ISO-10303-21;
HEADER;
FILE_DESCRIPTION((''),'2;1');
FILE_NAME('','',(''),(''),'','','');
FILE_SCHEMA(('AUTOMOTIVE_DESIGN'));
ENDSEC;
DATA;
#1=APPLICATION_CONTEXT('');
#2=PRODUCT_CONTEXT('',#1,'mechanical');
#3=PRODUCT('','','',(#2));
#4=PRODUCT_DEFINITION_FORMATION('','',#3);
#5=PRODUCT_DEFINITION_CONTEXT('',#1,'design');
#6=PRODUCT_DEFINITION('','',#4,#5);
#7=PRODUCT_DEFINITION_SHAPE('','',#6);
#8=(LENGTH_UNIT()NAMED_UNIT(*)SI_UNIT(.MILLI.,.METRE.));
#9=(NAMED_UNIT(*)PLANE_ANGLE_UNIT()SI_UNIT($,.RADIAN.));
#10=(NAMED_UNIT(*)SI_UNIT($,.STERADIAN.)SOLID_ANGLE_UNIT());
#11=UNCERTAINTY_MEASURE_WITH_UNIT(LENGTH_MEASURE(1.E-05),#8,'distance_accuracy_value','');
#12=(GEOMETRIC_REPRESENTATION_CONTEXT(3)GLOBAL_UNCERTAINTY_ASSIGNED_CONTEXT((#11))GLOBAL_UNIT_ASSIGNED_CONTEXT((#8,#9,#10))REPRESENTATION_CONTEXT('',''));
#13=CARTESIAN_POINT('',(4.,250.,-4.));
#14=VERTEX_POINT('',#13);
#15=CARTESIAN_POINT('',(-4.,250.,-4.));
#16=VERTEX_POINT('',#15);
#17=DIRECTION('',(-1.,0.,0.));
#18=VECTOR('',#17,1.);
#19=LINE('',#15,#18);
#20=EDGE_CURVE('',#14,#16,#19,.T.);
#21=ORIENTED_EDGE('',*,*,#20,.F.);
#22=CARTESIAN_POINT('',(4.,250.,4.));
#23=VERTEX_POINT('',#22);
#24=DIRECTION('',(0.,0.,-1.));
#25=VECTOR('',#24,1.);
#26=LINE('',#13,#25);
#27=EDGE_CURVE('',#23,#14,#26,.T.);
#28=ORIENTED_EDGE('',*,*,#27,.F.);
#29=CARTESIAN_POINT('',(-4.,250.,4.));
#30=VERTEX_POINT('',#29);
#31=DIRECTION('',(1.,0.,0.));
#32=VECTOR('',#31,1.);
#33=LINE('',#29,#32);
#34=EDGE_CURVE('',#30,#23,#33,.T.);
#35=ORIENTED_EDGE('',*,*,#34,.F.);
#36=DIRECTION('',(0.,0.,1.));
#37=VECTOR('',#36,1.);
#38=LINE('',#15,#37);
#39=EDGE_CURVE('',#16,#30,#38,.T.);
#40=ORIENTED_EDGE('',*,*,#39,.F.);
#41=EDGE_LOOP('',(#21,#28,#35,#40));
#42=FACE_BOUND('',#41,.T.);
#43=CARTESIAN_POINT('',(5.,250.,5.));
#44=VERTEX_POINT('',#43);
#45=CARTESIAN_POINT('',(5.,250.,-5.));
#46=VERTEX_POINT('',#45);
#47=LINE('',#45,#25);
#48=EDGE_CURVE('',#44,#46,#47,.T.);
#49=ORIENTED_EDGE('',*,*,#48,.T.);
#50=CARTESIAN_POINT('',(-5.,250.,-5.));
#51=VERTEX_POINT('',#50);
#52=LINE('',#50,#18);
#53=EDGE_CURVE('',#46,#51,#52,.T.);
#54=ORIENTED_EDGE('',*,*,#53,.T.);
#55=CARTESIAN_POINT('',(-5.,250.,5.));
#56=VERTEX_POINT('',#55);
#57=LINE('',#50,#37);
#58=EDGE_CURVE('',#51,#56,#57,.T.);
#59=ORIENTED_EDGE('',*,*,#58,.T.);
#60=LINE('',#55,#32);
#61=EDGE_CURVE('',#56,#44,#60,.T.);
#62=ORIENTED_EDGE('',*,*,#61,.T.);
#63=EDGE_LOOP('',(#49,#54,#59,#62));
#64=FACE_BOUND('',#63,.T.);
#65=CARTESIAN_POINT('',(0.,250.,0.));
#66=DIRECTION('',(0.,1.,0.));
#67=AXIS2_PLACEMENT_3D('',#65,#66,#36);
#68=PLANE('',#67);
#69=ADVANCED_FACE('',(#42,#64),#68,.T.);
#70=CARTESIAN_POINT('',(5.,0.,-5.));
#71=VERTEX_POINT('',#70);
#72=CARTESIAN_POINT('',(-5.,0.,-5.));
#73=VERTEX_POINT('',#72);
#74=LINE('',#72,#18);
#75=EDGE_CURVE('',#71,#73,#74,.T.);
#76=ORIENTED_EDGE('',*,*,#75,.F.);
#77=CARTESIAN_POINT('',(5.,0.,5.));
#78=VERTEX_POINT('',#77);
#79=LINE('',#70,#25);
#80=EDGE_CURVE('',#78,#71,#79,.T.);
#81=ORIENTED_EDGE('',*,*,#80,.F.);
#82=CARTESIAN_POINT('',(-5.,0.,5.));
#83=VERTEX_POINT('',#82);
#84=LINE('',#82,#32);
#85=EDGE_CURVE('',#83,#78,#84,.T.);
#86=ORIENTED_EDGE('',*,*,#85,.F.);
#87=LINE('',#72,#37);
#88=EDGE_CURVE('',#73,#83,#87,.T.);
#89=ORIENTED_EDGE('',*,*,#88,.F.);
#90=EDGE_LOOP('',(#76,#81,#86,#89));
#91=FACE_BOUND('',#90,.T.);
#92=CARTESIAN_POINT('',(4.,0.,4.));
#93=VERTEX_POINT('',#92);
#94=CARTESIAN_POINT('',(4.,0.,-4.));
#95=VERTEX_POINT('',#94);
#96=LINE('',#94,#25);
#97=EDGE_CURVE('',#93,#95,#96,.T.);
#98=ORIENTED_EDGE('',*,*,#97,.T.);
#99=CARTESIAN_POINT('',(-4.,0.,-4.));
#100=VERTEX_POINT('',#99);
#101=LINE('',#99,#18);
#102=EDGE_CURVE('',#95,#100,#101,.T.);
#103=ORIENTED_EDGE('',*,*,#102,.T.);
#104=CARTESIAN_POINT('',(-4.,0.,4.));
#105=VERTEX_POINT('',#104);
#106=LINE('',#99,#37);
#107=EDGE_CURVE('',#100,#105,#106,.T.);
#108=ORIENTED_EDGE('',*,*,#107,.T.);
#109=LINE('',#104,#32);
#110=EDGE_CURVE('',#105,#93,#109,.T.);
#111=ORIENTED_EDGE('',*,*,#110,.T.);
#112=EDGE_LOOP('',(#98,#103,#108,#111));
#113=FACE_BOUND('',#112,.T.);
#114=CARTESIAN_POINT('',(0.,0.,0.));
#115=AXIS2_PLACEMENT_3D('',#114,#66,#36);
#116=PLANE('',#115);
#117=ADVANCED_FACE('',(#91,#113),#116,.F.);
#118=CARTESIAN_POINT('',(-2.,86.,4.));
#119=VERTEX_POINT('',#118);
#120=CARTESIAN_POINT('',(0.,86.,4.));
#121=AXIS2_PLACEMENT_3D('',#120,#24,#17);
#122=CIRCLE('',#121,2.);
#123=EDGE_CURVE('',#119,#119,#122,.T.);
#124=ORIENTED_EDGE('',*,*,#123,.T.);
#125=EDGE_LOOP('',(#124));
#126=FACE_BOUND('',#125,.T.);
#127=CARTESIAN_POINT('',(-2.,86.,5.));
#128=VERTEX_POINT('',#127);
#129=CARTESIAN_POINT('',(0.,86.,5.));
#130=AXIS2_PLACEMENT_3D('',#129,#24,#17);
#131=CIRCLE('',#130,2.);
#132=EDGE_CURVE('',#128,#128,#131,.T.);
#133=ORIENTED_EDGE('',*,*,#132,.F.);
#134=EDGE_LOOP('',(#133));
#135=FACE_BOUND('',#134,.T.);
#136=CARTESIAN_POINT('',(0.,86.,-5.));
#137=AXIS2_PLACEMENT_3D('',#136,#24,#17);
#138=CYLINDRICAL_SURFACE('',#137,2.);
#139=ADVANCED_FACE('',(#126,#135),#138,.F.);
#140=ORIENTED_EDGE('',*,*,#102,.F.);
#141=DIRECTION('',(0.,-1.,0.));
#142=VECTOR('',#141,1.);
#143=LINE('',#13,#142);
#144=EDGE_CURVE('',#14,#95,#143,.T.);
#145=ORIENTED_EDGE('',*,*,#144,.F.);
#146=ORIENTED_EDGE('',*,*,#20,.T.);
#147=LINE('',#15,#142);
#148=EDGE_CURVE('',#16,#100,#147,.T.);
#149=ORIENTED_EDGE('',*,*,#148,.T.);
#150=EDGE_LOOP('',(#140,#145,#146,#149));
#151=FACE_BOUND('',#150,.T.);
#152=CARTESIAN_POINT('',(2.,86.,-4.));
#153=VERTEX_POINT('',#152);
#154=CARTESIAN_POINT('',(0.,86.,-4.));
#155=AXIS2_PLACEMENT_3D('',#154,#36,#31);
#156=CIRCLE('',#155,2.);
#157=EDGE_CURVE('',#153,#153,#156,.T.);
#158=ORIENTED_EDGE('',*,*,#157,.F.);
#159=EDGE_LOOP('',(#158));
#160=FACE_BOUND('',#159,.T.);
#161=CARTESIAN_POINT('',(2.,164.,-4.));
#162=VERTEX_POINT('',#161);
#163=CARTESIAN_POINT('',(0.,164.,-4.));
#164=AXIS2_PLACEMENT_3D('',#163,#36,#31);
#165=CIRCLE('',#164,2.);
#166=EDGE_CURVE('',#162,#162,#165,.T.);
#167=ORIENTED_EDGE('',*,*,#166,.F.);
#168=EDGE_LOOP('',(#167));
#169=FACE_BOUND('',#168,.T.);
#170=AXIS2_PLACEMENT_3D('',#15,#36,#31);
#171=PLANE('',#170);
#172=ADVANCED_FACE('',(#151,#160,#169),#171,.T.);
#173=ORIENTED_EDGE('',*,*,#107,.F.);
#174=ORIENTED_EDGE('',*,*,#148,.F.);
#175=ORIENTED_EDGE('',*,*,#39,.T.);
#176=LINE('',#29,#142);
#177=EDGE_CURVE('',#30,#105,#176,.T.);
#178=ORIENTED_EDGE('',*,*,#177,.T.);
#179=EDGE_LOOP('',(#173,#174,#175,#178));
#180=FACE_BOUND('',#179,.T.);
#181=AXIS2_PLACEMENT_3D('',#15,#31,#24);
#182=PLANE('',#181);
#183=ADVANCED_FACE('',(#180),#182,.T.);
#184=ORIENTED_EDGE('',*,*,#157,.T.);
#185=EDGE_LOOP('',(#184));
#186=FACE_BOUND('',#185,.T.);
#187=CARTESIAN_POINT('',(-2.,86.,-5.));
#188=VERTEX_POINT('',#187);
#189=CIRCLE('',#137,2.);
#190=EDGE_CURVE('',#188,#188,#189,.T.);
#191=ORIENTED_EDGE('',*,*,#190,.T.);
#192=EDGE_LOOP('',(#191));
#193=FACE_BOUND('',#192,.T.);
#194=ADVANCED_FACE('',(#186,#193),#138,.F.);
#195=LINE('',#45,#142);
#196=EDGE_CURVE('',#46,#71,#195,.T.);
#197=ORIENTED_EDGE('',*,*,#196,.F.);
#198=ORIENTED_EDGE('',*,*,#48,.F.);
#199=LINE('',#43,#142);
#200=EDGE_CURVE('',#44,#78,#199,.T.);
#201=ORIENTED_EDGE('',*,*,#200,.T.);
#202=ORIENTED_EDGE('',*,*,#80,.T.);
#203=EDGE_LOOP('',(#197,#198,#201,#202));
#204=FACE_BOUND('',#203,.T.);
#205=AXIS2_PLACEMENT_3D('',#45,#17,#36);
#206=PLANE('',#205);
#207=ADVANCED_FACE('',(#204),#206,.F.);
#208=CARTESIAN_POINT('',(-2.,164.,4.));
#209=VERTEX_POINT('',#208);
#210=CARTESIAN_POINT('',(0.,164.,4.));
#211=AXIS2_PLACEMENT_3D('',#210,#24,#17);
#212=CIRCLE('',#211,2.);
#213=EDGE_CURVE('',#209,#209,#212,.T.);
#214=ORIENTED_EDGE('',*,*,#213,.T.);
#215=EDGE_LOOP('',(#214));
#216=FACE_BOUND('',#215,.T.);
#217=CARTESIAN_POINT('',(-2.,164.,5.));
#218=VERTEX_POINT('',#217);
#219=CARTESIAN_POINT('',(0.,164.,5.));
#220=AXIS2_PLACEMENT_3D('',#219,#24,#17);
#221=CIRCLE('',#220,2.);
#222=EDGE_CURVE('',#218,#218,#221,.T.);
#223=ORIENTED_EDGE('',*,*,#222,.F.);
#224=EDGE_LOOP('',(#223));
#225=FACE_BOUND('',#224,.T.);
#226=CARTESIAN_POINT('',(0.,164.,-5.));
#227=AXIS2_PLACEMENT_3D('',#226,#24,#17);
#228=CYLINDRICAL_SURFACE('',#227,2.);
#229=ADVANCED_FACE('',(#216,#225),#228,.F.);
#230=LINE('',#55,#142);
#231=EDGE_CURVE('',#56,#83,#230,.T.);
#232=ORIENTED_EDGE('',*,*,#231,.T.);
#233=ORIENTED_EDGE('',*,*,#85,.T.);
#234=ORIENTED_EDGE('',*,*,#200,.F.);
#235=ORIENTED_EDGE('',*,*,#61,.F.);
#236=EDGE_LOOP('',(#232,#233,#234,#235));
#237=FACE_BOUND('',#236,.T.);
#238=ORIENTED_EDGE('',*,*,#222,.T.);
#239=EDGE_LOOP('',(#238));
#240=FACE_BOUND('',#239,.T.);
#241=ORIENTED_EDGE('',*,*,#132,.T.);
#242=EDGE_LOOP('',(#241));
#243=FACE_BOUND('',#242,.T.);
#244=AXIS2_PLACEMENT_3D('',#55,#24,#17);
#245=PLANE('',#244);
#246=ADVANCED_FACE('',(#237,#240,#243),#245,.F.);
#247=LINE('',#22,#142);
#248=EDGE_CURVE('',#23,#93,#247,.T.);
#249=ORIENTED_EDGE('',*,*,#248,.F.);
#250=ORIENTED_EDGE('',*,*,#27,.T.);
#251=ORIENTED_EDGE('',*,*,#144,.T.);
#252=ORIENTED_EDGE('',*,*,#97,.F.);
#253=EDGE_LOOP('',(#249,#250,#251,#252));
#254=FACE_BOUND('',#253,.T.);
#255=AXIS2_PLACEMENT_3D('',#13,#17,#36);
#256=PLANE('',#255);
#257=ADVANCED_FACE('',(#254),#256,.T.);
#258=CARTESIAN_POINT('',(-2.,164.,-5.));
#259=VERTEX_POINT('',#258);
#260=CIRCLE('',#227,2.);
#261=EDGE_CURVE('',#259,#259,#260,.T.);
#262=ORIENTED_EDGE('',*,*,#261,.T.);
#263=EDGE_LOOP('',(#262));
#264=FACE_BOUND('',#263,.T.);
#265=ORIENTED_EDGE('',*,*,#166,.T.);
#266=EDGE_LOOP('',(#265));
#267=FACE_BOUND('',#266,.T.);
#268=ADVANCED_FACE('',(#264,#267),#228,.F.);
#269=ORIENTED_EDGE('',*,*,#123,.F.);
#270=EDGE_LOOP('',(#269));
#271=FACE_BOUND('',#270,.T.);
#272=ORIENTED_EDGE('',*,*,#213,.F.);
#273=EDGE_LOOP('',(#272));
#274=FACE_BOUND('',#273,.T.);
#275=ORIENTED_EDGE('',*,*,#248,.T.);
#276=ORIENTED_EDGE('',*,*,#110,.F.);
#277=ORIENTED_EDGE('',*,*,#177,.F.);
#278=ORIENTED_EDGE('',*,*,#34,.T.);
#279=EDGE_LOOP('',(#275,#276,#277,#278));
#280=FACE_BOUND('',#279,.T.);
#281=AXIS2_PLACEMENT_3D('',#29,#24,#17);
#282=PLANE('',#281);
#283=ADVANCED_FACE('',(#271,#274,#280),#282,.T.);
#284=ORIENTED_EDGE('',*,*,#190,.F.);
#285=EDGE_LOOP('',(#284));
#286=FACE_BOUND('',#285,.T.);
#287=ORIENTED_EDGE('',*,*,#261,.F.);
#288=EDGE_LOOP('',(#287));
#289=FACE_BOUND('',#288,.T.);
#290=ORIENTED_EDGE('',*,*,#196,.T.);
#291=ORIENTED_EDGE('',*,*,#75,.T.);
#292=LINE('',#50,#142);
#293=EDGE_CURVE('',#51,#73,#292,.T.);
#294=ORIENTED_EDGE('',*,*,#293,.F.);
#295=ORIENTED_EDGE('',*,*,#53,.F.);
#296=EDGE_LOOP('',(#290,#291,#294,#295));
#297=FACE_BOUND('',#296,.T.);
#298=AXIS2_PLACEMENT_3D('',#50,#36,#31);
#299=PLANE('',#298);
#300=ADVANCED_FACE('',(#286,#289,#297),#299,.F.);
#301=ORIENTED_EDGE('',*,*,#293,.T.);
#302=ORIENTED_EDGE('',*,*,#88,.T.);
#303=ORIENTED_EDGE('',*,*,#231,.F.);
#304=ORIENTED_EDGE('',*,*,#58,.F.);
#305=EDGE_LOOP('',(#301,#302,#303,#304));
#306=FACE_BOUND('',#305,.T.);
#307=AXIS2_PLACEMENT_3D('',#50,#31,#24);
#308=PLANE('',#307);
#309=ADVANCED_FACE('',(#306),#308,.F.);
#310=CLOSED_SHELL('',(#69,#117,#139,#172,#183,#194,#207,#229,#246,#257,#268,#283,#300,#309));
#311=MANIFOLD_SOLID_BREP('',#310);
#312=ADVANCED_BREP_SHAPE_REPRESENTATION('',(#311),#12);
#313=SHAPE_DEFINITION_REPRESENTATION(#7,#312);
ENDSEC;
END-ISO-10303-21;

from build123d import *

# Parameters (mm, degrees)
SKETCH_1_W            = 10
SKETCH_1_H            = 10
SKETCH_1_W_2          = 8
SKETCH_1_H_2          = 8
EXTRUDE_1_DEPTH       = 250
HOLE_WIZARD_4_0_4_1_D = 4


with BuildPart() as part:
    # 草图1 → 凸台-拉伸1 (new body)
    with BuildSketch(Plane(origin=(0, 0, 0), x_dir=(1, 0, 0), z_dir=(0, 1, 0))):
        Rectangle(SKETCH_1_W, SKETCH_1_H)
        Rectangle(SKETCH_1_W_2, SKETCH_1_H_2, mode=Mode.SUBTRACT)
    extrude(amount=EXTRUDE_1_DEPTH)

    # Ø4.0 (4) 直径孔1 (through all)
    with Locations(Plane(origin=(0, 0, -5), x_dir=(-1, 0, 0), z_dir=(0, 0, -1))):
        with Locations((0, 164)):
            hole_wizard_4_0_4_1 = Hole(HOLE_WIZARD_4_0_4_1_D / 2)

    # 镜向1: Ø4.0 (4) 直径孔1 across plane
    add(hole_wizard_4_0_4_1.mirror(Plane.ZX.offset(125)), mode=Mode.SUBTRACT)


solid = part.part
